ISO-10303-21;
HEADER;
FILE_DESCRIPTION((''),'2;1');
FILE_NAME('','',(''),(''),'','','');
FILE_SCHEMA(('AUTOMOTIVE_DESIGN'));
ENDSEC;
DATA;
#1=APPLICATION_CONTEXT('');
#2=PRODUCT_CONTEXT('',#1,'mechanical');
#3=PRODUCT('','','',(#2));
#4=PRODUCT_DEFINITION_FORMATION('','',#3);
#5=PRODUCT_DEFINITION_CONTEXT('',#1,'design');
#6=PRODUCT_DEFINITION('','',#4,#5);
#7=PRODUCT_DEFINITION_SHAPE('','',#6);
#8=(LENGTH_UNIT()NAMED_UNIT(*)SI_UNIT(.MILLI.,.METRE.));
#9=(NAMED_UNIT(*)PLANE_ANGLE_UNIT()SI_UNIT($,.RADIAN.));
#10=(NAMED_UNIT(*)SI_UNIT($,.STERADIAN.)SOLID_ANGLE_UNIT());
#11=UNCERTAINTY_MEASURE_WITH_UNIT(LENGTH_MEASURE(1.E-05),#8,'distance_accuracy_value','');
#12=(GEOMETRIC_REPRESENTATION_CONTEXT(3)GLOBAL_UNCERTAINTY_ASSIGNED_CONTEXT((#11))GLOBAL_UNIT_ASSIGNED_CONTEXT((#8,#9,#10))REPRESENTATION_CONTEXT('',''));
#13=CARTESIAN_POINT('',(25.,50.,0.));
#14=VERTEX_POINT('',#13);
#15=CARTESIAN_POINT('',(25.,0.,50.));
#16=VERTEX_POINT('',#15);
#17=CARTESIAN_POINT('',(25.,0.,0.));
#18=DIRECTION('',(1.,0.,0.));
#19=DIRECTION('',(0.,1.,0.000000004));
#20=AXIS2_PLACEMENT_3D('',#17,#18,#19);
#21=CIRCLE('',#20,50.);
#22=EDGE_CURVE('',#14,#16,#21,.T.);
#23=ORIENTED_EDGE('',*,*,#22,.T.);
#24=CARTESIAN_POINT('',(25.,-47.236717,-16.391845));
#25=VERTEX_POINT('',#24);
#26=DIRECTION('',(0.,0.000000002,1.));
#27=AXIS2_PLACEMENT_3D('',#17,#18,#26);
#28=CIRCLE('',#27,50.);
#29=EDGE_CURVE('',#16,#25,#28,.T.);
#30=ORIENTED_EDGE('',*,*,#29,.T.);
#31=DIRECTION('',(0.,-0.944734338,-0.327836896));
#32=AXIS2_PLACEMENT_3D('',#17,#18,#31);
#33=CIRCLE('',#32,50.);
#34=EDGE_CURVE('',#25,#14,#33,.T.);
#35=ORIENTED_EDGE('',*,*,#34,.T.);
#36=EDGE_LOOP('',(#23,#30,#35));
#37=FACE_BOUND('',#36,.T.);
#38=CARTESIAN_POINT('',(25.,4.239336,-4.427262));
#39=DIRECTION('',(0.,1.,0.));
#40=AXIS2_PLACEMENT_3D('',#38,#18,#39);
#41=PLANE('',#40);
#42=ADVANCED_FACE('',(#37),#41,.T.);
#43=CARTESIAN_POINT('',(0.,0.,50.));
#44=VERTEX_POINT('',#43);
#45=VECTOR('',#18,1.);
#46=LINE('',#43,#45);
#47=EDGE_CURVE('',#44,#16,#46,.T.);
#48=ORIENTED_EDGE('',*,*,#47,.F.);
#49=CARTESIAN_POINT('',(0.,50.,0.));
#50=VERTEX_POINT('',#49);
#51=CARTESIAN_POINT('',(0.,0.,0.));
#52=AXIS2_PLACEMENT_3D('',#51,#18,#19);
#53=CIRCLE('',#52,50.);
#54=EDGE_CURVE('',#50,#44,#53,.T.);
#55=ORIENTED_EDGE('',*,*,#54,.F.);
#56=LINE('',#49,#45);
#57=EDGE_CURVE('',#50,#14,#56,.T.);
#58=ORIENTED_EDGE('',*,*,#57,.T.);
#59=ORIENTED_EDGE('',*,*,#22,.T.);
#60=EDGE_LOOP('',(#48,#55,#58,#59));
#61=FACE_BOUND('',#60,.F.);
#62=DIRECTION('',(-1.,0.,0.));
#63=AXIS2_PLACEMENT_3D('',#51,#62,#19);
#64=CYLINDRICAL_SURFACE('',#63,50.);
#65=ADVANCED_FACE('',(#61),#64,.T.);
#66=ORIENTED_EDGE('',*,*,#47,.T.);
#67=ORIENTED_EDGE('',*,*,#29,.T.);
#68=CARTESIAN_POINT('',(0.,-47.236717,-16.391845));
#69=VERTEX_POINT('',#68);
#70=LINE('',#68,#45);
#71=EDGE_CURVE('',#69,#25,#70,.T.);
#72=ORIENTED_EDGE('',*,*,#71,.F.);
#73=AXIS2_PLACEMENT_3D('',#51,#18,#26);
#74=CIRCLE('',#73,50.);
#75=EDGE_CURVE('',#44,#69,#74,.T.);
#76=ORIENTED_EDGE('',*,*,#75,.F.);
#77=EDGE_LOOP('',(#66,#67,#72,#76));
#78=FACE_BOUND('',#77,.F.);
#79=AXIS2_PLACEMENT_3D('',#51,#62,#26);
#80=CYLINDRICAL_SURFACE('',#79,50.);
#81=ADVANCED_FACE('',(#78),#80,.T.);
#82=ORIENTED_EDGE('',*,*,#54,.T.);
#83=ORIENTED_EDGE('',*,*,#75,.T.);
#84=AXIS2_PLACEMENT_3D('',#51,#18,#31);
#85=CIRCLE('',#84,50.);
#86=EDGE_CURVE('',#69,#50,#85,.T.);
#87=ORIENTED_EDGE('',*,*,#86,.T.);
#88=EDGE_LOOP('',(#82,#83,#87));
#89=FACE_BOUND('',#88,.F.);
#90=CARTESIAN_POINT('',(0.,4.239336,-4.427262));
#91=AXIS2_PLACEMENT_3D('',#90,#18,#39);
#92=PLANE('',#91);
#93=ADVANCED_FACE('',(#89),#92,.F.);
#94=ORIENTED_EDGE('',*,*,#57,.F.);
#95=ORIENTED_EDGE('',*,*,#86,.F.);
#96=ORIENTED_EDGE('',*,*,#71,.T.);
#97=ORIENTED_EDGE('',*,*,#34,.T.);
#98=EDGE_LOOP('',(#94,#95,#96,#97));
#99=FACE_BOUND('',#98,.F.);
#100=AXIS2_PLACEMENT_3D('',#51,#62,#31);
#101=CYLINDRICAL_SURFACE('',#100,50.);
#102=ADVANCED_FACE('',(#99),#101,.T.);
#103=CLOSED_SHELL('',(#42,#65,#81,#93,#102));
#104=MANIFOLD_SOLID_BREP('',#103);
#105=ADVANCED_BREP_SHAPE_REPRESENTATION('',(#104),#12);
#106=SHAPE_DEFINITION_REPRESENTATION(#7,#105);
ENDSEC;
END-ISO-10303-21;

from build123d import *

# Parameters (mm, degrees)
F1_DEPTH = 25


with BuildPart() as f1:
    # F0 (on Right) → F1 (new body)
    with BuildSketch(Plane.YZ):
        with BuildLine():
            ThreePointArc((-47.236717, -16.391845), (8.311563, -49.30434), (50, 0))
            ThreePointArc((50, 0), (35.355339, 35.355339), (0, 50))
            Line((0, 50), (-24.420255, -23.928625))
            Line((-24.420255, -23.928625), (-47.236717, -16.391845))
        make_face()
        with BuildLine():
            Line((-24.420255, -23.928625), (0, 50))
            ThreePointArc((0, 50), (-40.740596, 28.98627), (-47.236717, -16.391845))
            Line((-47.236717, -16.391845), (-24.420255, -23.928625))
        make_face()
    extrude(amount=F1_DEPTH)


solid = f1.part
